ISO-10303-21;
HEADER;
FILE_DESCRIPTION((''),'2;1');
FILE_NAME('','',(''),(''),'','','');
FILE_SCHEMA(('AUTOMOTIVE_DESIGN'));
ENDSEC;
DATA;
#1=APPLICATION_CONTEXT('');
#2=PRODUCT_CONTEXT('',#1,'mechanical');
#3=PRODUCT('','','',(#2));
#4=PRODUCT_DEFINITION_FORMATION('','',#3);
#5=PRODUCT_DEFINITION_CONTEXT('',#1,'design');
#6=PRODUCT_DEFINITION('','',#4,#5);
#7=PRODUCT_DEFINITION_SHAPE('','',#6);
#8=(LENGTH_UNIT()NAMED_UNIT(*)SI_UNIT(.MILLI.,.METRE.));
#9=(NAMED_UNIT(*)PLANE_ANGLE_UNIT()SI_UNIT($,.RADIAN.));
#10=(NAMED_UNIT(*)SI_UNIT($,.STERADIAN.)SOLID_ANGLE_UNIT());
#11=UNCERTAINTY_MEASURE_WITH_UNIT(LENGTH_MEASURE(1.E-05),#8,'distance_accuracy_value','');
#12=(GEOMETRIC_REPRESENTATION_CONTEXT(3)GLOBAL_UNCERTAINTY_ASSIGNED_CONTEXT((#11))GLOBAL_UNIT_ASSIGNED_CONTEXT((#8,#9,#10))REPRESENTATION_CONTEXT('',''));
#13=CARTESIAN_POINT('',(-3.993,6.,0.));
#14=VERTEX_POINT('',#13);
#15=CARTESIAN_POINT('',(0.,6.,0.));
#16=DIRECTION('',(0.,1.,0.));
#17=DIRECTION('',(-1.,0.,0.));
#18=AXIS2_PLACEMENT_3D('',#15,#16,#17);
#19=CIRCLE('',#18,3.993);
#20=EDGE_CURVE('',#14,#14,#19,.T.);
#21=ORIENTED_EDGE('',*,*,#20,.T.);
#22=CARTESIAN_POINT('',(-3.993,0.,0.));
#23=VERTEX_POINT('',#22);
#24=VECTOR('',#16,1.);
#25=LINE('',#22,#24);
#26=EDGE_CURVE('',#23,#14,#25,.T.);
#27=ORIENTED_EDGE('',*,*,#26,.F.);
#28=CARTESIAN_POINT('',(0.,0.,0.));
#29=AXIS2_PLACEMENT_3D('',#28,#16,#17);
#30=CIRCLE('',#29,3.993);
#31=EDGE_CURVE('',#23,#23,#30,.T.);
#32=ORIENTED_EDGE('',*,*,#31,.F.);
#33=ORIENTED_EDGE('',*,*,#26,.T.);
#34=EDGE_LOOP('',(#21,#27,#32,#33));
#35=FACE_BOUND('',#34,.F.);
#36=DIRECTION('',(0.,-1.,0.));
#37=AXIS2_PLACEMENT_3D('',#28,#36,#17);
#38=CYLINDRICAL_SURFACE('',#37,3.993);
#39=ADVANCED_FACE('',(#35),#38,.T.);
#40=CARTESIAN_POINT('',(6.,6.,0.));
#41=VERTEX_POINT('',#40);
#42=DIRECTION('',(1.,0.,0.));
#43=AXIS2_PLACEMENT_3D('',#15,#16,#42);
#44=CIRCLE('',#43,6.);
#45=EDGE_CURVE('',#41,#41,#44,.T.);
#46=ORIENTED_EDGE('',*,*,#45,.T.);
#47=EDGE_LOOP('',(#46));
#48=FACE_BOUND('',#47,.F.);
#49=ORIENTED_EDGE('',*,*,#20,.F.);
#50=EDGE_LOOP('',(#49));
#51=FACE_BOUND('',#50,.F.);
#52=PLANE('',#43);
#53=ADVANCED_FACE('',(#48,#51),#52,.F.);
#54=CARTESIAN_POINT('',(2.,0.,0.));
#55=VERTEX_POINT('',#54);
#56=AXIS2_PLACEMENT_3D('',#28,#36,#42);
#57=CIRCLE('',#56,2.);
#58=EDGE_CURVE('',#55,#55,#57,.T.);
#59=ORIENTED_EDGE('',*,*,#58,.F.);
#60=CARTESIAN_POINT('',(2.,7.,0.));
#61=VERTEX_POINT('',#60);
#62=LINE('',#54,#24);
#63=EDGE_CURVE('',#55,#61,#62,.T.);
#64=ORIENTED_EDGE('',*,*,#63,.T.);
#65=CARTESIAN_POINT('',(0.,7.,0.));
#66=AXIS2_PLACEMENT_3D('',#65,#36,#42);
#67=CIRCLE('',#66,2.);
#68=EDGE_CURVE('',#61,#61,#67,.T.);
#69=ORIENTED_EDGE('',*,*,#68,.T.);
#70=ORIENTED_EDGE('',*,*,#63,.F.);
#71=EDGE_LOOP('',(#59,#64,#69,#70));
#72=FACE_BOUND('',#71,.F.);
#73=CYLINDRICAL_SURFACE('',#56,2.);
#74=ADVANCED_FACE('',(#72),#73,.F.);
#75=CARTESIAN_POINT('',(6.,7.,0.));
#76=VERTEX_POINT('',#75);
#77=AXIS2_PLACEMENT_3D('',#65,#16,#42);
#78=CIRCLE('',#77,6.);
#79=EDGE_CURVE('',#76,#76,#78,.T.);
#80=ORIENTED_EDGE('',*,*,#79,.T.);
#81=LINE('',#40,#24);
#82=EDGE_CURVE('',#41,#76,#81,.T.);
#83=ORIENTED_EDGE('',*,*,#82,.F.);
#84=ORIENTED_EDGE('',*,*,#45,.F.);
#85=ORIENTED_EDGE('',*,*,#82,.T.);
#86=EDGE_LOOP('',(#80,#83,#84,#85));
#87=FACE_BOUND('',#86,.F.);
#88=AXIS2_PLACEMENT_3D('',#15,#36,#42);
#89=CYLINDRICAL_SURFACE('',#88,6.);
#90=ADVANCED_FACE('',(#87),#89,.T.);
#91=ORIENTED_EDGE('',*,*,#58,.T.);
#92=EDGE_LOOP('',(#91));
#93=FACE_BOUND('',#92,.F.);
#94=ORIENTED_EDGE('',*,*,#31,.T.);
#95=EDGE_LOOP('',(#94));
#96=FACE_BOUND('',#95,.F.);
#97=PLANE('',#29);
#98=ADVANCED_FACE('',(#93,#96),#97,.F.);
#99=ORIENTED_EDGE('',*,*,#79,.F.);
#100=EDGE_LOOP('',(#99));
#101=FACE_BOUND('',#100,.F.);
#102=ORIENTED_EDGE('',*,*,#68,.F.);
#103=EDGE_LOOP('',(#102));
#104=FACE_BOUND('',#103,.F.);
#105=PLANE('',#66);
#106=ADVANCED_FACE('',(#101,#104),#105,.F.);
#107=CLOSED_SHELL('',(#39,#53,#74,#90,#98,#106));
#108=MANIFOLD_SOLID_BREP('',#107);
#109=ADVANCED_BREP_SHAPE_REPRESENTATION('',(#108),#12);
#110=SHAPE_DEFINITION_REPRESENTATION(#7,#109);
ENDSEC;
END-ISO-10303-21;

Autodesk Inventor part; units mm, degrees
ref_plane "YZ Plane" through (0, 0, 0) normal (1, 0, 0) x (0, 1, 0)
ref_plane "XZ Plane" through (0, 0, 0) normal (0, 1, 0) x (-1, 0, 0)
ref_plane "XY Plane" through (0, 0, 0) normal (0, 0, 1) x (1, 0, 0)
sketch "Sketch1" plane through (0, 0, 0) normal (0, 1, 0) x (-1, 0, 0)
  circle A0 centre (0, 0) radius 3.993
  circle A1 centre (0, 0) radius 2.0625
  dimension "d0" = 7.986
  dimension "d1" = 4.125
extrude "Extrusion1" add sketch "Sketch1" along normal blind 6
sketch "Sketch2" plane through (0, 6, 0) normal (0, 1, 0) x (1, 0, 0)
  circle A0 centre (0, 0) radius 2.0625
  circle A1 centre (0, 0) radius 3.993
  circle A2 centre (0, 0) radius 6
  dimension "d4" = 12
extrude "Extrusion2" add sketch "Sketch2" along normal blind 1 contours A1 | A2
sketch "Sketch3" plane through (0, 0, 0) normal (0, -1, 0) x (1, 0, 0)
  circle A0 centre (0, 0) radius 2
  circle A1 centre (0, 0) radius 2.2361
  dimension "d7" = 4
extrude "Extrusion3" add sketch "Sketch3" against normal blind 7
properties part number "eje de rodaje"
